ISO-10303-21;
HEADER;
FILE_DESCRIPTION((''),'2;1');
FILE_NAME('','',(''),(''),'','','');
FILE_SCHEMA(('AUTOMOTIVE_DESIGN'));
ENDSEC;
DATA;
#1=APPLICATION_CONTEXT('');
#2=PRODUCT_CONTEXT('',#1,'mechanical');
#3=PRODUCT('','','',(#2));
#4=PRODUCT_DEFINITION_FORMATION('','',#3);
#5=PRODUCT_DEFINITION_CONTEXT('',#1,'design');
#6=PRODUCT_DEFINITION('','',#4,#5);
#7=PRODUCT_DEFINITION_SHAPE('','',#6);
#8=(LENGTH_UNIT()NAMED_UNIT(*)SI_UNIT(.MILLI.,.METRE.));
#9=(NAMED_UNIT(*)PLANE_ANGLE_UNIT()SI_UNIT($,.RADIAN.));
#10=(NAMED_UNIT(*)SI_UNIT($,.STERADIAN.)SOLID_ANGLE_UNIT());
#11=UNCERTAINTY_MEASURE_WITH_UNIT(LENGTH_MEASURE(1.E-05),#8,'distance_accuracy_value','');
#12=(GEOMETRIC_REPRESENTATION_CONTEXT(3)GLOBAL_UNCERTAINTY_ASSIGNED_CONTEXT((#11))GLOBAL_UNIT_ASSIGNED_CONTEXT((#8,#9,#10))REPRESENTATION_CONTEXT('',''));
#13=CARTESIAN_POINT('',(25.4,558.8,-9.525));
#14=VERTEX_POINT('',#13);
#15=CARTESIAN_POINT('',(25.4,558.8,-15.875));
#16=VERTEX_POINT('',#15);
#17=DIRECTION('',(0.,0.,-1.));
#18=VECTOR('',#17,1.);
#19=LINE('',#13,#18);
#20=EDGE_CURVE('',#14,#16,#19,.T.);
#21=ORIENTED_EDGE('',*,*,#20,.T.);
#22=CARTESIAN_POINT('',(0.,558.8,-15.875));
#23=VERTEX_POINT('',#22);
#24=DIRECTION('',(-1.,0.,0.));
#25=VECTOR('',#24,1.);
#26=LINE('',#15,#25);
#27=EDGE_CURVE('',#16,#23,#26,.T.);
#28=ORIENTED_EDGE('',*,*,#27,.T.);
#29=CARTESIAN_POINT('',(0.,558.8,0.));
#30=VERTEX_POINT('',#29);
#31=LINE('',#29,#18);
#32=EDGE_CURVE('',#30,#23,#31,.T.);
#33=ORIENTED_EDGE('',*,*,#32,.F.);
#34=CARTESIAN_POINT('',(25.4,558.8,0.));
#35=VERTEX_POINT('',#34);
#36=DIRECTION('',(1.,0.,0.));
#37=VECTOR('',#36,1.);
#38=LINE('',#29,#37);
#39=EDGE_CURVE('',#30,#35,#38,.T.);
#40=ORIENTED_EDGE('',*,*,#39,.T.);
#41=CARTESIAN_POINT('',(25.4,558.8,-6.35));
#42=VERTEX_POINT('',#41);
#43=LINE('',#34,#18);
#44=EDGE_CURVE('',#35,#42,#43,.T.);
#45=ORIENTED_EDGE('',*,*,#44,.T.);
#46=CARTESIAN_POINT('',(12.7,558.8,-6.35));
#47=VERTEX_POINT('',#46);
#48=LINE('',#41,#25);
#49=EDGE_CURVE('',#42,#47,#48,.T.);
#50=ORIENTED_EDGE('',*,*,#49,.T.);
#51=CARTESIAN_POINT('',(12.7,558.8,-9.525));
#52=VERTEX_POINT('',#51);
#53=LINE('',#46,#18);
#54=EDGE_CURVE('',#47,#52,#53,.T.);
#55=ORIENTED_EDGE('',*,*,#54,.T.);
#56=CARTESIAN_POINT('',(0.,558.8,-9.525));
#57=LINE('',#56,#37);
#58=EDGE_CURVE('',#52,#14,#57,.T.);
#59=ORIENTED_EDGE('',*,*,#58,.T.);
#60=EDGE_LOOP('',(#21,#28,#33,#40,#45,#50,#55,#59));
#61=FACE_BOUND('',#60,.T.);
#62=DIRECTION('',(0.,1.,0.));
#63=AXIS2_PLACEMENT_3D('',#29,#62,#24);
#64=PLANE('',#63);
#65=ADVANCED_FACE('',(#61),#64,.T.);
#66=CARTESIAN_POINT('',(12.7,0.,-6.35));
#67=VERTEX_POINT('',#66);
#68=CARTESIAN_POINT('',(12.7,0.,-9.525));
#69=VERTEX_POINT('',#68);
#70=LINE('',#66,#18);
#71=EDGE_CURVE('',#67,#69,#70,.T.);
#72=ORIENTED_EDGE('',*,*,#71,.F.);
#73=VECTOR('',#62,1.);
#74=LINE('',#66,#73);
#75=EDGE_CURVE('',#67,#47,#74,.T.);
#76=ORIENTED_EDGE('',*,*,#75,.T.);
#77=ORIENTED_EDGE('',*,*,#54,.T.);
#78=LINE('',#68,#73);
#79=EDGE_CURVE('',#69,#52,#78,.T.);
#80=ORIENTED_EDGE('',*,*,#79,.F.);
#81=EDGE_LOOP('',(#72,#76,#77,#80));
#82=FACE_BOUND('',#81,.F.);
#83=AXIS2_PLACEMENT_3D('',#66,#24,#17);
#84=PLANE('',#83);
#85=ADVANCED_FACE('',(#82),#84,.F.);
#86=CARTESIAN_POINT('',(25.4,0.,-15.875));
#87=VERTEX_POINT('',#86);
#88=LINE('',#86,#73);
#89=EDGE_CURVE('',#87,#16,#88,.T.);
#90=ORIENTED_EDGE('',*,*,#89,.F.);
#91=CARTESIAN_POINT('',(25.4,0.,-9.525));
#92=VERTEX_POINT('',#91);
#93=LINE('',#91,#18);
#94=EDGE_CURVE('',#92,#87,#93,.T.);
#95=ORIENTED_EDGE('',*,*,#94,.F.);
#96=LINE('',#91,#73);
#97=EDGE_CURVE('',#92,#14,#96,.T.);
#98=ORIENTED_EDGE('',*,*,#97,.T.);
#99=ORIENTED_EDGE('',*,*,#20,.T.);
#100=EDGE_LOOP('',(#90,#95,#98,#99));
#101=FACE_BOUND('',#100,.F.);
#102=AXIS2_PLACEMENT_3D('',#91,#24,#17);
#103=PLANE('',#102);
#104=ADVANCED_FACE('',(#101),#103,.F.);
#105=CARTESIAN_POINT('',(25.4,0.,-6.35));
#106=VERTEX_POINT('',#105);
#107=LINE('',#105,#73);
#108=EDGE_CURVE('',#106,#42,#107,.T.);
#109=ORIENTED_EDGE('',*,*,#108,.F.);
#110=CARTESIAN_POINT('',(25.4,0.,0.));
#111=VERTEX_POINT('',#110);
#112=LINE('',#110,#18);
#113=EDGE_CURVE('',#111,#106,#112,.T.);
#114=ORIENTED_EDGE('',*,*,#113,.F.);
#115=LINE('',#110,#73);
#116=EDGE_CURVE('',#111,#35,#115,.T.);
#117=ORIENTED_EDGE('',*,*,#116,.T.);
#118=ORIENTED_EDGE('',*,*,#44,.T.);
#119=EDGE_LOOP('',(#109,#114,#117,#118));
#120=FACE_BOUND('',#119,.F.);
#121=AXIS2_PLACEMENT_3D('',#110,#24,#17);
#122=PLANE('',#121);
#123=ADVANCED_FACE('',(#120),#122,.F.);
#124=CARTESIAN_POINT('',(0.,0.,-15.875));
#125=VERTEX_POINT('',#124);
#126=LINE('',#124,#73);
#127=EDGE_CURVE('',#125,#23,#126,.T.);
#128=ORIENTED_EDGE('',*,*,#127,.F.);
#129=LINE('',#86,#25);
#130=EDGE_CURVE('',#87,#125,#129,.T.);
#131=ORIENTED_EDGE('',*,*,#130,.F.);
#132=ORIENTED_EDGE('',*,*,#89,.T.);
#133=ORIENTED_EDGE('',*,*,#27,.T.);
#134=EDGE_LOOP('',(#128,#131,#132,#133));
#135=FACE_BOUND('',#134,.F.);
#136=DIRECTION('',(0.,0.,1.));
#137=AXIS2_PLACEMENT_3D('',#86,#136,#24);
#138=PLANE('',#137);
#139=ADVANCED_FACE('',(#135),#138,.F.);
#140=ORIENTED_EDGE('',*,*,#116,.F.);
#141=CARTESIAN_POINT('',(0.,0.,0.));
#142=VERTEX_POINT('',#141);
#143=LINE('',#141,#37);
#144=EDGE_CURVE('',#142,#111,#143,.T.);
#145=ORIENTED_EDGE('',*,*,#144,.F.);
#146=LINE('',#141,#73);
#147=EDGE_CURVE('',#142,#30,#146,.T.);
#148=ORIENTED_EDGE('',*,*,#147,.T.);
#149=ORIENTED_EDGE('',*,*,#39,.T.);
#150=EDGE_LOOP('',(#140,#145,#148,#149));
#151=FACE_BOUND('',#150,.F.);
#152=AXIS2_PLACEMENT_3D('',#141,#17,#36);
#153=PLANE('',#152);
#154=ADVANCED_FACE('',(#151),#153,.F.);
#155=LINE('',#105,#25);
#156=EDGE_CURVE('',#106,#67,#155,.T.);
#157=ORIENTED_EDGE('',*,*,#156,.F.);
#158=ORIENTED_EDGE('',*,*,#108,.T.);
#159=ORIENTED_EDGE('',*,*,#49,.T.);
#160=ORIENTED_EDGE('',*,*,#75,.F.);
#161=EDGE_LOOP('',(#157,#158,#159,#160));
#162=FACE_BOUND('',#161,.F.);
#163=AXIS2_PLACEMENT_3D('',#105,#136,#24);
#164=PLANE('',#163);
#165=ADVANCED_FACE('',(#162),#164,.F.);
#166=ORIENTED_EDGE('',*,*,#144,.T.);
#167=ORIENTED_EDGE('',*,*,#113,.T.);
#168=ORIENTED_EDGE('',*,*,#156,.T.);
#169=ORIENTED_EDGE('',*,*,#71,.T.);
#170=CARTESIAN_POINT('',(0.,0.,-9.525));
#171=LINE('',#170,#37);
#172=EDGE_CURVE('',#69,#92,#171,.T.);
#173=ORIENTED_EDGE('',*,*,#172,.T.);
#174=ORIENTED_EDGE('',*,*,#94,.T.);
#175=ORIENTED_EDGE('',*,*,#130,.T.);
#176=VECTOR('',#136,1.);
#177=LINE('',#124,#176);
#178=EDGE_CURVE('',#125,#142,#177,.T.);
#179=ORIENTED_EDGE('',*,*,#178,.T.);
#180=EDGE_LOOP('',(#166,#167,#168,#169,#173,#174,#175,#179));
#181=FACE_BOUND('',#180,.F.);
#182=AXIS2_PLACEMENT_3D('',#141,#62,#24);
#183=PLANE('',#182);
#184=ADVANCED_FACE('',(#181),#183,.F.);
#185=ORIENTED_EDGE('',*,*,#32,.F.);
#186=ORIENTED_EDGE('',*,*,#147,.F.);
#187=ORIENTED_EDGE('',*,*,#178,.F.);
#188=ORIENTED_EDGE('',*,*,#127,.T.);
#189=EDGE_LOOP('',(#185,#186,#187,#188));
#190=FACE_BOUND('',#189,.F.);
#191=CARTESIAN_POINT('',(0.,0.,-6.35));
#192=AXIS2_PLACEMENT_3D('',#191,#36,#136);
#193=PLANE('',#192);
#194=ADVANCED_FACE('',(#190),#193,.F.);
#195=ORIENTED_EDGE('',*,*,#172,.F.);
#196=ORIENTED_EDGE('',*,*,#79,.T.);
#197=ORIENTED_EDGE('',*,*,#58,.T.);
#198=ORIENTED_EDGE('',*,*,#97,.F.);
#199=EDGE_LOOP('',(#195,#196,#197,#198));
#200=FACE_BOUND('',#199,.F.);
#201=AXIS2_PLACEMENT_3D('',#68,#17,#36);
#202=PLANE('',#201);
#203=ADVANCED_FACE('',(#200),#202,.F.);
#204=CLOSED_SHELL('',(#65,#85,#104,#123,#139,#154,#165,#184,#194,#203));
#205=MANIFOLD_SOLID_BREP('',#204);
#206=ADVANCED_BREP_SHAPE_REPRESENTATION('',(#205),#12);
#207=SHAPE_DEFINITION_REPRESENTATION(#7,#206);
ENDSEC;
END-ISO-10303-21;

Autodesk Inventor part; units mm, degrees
ref_plane "YZ Plane" through (0, 0, 0) normal (1, 0, 0) x (0, 1, 0)
ref_plane "XZ Plane" through (0, 0, 0) normal (0, 1, 0) x (-1, 0, 0)
ref_plane "XY Plane" through (0, 0, 0) normal (0, 0, 1) x (1, 0, 0)
sketch "Sketch1" plane through (0, 0, 0) normal (0, 1, 0) x (-1, 0, 0)
  line L0 (0, 0) -> (-25.4, 0)
  line L1 (-25.4, 0) -> (-25.4, -6.35)
  line L2 (-25.4, -6.35) -> (0, -6.35)
  line L3 (0, -6.35) -> (0, 0)
  line L4 (0, -6.35) -> (-12.7, -6.35)
  line L5 (-12.7, -6.35) -> (-12.7, -9.525)
  line L6 (-12.7, -9.525) -> (0, -9.525)
  line L7 (0, -9.525) -> (0, -6.35)
  line L8 (0, -9.525) -> (-25.4, -9.525)
  line L9 (-25.4, -9.525) -> (-25.4, -15.875)
  line L10 (-25.4, -15.875) -> (0, -15.875)
  line L11 (0, -15.875) -> (0, -9.525)
  dimension "d0" = 25.4
  dimension "d1" = 6.35
  dimension "d2" = 12.7
  dimension "d3" = 3.175
  dimension "d4" = 25.4
  dimension "d5" = 6.35
extrude "Extrusion1" add sketch "Sketch1" along normal blind 558.8
properties part number "window frame tall"
